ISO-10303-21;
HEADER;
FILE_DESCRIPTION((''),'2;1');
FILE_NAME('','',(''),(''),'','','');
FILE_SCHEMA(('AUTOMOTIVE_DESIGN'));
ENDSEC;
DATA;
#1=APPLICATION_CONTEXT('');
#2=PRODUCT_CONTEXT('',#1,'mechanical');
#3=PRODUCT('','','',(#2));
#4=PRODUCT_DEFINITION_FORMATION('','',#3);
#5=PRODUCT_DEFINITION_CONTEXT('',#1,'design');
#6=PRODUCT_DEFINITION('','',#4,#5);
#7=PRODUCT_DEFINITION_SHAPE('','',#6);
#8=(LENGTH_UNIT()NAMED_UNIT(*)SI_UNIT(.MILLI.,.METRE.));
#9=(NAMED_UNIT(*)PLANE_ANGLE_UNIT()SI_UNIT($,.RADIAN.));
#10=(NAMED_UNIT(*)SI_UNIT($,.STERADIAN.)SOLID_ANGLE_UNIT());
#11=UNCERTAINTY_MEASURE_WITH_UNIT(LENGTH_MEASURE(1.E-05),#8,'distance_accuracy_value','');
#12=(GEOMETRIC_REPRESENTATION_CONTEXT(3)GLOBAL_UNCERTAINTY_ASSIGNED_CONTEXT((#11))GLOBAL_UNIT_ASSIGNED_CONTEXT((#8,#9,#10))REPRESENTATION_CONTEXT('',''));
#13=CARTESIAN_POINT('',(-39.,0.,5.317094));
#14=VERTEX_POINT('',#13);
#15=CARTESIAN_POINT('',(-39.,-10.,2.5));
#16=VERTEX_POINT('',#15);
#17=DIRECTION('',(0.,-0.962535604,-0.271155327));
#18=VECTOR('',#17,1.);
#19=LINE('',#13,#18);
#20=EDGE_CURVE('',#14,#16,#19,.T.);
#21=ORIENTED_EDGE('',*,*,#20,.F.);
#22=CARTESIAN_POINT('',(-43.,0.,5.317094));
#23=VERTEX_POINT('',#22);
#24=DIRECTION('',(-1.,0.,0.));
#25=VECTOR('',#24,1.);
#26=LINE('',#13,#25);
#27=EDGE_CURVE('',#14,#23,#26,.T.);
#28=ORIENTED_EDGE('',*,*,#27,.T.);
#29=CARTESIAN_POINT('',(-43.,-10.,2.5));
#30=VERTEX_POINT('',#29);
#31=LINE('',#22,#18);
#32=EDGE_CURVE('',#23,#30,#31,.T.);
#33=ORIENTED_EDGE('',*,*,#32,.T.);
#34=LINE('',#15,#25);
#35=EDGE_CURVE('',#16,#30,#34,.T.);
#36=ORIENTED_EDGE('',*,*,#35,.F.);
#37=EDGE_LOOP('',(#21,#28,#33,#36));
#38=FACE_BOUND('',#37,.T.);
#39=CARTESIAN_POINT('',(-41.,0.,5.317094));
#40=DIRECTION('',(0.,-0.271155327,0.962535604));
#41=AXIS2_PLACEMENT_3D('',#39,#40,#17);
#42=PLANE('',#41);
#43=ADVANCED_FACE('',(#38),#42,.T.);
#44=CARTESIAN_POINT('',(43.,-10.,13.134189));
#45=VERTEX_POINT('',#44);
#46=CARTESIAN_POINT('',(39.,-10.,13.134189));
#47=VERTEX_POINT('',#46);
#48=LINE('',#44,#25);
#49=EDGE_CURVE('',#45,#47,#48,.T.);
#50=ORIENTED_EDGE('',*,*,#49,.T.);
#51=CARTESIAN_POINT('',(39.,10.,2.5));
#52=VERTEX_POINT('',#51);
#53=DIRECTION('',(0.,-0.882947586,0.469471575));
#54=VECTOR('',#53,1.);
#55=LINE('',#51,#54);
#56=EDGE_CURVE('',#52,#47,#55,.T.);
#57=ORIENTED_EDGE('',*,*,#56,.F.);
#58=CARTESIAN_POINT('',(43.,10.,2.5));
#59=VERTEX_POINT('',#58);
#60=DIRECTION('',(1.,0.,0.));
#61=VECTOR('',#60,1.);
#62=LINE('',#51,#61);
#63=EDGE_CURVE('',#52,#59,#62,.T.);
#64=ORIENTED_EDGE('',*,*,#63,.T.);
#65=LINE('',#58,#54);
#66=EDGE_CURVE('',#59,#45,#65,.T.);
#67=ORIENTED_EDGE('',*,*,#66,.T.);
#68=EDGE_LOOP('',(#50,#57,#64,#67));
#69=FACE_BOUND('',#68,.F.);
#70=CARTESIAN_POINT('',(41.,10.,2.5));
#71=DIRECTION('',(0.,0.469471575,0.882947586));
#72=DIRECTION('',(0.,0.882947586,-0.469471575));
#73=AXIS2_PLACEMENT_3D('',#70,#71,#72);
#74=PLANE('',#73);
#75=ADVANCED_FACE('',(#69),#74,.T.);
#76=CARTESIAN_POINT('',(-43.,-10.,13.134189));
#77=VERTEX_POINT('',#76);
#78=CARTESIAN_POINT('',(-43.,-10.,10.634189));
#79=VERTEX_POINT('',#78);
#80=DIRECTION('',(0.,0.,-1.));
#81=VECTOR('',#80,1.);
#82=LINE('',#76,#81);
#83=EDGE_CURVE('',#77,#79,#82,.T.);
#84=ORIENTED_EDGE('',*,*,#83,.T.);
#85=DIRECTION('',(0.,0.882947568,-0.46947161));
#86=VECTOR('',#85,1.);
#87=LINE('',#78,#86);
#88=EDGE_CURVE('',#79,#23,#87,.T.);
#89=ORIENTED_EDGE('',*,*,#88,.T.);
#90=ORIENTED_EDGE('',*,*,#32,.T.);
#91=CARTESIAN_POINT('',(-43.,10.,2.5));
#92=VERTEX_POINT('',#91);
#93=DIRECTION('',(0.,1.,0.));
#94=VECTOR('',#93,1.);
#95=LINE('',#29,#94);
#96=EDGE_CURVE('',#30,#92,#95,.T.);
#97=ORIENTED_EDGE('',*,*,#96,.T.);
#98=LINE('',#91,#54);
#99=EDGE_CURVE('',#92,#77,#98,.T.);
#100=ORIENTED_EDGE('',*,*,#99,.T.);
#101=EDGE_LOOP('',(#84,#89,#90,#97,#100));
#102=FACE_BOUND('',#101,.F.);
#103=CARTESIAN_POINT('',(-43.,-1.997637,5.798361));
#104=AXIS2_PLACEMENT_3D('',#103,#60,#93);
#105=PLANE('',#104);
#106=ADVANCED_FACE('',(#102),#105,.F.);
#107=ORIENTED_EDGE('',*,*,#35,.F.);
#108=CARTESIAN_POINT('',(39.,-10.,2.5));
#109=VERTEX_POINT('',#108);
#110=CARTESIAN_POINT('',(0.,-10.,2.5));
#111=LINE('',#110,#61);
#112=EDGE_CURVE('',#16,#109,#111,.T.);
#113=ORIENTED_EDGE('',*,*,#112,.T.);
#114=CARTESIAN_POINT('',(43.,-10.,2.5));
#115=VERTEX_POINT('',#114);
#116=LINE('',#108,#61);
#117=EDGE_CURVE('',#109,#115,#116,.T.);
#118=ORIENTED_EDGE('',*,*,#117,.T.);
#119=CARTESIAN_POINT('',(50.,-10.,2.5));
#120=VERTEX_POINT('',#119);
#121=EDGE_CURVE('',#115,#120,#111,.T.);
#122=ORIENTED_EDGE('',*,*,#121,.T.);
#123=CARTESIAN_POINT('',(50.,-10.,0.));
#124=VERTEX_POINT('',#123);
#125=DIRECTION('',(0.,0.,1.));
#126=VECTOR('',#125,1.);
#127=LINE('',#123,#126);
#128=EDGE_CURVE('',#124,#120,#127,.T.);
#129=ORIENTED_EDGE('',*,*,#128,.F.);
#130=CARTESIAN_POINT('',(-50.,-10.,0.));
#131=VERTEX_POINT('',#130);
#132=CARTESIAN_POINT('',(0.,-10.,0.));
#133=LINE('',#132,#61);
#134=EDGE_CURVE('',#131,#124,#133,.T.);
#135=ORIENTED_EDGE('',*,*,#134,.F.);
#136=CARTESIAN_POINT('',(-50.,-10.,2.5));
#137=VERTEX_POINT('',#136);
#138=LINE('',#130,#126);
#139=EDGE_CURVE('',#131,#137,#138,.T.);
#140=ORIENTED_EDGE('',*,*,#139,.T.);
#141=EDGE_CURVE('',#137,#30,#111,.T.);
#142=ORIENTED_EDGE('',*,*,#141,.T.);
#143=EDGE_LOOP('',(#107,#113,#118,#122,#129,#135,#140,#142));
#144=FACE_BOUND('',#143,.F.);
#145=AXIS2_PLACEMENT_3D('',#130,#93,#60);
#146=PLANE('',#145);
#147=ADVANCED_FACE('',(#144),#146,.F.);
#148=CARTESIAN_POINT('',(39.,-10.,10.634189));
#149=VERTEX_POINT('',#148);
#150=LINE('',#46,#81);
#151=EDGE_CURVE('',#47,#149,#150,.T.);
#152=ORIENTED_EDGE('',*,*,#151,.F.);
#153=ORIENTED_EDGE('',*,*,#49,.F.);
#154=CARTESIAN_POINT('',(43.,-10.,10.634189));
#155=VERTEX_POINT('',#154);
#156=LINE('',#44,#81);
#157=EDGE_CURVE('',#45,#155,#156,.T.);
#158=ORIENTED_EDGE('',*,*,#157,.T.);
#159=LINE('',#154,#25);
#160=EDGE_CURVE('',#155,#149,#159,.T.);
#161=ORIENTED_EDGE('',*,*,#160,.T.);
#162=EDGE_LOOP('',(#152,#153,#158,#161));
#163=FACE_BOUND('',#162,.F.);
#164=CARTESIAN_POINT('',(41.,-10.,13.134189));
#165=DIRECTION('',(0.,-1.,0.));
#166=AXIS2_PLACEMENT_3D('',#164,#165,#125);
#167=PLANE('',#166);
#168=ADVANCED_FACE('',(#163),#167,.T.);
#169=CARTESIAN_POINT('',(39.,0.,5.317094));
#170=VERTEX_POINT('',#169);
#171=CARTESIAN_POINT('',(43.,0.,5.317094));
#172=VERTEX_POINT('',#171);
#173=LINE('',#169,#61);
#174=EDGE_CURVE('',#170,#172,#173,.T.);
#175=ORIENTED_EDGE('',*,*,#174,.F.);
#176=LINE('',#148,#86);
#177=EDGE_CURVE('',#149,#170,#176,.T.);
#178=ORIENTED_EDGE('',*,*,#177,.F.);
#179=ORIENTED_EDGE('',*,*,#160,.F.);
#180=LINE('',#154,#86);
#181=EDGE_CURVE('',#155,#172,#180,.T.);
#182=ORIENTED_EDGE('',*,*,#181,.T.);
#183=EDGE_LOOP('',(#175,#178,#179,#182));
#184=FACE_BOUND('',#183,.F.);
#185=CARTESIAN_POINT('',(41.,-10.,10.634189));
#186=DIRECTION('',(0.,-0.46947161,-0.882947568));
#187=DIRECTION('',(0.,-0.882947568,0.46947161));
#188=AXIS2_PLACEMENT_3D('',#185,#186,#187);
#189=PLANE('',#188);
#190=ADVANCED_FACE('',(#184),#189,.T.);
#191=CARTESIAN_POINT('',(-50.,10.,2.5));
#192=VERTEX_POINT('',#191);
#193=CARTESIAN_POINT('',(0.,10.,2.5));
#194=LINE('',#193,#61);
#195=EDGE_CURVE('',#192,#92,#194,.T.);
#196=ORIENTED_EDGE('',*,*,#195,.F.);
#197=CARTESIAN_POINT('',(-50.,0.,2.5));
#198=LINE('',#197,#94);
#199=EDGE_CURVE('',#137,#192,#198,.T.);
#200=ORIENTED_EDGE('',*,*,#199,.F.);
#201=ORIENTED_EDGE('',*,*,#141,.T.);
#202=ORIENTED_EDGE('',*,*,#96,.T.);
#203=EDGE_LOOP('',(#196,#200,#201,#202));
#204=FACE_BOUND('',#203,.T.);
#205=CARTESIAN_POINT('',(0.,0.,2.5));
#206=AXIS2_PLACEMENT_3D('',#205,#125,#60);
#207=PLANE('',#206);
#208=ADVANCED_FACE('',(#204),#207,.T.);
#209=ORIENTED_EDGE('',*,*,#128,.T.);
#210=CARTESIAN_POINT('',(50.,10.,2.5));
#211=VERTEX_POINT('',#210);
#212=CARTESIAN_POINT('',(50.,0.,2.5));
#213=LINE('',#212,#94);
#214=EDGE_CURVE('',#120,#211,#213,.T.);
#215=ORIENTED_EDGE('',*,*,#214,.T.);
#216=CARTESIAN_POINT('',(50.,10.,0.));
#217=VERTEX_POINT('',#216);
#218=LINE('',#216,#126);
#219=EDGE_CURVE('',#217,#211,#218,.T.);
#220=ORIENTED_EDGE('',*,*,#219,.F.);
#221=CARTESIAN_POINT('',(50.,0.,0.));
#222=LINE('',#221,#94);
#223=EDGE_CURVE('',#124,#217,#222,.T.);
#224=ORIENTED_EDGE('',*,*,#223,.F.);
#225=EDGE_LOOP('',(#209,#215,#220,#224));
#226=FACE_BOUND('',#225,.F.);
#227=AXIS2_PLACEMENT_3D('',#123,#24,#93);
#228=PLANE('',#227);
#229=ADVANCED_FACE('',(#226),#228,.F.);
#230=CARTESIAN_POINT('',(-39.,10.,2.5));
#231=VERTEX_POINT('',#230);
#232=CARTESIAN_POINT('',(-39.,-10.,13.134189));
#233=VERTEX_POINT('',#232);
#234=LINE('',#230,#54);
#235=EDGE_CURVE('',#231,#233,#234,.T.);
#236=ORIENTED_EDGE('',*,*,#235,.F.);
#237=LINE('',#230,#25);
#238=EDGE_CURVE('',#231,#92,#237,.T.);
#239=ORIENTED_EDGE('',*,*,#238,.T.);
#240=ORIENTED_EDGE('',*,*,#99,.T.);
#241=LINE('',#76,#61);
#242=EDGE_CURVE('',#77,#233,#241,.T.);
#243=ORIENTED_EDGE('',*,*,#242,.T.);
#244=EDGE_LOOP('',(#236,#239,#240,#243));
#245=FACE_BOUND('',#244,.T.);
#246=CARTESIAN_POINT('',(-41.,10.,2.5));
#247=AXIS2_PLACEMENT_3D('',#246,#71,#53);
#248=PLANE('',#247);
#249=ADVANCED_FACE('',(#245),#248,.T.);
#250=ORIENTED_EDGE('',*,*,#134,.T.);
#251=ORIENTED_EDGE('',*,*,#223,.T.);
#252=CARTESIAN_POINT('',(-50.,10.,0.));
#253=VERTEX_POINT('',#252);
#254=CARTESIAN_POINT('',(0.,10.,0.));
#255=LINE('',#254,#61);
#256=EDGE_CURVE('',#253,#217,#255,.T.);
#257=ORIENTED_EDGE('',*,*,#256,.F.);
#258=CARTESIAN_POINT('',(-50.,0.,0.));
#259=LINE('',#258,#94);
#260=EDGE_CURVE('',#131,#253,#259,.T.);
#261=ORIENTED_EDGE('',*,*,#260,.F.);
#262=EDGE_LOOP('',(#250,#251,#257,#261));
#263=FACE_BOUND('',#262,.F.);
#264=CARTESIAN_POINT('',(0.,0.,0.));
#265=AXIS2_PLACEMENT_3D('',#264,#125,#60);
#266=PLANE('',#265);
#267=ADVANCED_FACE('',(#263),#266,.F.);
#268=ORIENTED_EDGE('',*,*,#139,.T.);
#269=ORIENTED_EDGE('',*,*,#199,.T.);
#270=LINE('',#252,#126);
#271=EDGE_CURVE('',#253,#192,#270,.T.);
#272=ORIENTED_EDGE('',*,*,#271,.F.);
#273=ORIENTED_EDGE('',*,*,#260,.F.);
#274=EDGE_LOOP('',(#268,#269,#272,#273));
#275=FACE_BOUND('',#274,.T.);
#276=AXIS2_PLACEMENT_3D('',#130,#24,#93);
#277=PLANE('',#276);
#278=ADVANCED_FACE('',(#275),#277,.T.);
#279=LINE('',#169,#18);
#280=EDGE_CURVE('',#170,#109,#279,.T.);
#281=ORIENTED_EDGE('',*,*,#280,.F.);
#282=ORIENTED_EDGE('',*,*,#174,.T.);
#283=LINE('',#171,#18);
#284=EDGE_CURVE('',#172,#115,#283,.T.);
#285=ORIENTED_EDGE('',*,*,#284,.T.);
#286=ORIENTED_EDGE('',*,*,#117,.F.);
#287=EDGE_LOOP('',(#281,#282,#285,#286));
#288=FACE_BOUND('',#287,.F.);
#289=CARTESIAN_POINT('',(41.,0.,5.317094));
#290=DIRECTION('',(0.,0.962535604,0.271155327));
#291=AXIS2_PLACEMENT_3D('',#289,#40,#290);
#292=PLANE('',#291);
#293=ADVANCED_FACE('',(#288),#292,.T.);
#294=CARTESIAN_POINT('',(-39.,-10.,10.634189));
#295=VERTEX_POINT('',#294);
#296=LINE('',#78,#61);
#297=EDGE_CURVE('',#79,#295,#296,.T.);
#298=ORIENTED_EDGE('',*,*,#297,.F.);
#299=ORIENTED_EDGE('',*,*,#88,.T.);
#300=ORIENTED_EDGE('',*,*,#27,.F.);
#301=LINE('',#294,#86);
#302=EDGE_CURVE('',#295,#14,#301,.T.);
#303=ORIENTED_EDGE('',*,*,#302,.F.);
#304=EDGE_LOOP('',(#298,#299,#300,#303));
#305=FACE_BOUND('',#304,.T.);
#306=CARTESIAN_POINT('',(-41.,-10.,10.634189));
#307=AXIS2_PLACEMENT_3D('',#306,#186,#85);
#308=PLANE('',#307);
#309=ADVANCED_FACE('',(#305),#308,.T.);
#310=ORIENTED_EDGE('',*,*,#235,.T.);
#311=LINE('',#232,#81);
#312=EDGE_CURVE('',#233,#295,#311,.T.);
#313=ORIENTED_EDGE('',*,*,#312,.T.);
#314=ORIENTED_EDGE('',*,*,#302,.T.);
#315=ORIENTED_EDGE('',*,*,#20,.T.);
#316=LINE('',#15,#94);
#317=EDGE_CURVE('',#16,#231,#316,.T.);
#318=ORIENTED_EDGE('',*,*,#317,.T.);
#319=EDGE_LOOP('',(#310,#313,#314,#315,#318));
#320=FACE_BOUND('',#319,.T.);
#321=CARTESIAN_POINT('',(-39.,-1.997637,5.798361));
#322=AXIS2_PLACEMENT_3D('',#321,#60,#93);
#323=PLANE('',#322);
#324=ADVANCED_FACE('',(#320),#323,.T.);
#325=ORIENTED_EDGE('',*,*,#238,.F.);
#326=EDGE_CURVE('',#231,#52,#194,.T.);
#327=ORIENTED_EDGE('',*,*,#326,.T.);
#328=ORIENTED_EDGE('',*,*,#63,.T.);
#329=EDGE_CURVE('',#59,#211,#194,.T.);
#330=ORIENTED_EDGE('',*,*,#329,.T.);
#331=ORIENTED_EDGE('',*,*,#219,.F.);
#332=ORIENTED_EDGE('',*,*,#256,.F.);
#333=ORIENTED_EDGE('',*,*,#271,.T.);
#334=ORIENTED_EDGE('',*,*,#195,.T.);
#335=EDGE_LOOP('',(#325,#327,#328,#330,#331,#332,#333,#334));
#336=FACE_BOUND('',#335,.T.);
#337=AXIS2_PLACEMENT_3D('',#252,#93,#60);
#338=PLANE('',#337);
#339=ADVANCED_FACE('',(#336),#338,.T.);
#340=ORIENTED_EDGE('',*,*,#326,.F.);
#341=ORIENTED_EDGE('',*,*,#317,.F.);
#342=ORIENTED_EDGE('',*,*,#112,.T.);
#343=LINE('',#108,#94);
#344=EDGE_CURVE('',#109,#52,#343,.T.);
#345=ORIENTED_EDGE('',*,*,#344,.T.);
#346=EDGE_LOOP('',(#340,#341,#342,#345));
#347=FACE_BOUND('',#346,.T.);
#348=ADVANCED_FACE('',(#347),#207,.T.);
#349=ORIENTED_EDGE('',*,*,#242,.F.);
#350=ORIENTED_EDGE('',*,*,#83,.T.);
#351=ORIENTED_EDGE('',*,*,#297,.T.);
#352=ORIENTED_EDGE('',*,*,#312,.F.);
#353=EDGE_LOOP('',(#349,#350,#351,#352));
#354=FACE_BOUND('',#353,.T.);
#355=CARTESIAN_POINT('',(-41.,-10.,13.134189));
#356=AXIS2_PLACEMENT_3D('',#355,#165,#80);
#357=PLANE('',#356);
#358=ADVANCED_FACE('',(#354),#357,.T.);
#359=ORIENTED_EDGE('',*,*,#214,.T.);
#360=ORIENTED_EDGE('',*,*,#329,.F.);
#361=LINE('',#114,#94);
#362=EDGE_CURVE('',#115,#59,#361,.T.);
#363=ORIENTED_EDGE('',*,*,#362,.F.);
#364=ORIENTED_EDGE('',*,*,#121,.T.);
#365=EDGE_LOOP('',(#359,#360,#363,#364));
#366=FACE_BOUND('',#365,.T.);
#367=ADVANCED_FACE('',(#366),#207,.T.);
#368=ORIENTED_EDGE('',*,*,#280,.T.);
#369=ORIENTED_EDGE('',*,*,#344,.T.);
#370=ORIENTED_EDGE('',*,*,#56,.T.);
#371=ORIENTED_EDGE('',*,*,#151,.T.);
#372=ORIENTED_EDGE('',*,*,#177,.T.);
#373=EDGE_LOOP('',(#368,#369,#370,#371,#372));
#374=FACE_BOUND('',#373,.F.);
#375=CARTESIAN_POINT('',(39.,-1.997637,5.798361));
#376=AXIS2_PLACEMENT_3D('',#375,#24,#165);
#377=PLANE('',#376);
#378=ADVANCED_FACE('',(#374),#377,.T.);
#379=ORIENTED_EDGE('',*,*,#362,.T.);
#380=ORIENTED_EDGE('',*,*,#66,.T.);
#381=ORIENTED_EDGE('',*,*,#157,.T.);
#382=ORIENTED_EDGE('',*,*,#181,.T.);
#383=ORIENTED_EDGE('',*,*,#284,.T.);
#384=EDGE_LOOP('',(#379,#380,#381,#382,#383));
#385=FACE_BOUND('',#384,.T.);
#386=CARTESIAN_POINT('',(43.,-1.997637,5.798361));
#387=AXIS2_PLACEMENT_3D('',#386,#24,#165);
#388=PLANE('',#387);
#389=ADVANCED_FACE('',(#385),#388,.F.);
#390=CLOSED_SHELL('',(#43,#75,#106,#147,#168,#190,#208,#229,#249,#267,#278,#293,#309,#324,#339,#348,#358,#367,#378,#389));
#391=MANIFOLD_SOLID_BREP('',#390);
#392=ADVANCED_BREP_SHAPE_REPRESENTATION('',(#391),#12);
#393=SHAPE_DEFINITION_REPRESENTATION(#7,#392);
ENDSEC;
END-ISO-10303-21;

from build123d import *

# Parameters (mm, degrees)
SKETCH_W     = 100
SKETCH_H     = 20
PAD_DEPTH    = 2.5
PAD001_DEPTH = 2


with BuildPart() as part:
    # Sketch → Pad (new body)
    with BuildSketch(Plane.XY):
        Rectangle(SKETCH_W, SKETCH_H)
    extrude(amount=PAD_DEPTH)

    # Sketch002 (on DatumPlane) → Pad001 (join, symmetric)
    with BuildSketch(Plane.YZ.offset(-41)):
        Polygon((10, 2.5), (-10, 13.134189), (-10, 10.634189), (0, 5.317094), (-10, 2.5), align=None)
    pad001 = extrude(amount=PAD001_DEPTH, both=True)

    # Mirrored: Pad001 across YZ
    add(pad001.mirror(Plane.YZ))


solid = part.part
